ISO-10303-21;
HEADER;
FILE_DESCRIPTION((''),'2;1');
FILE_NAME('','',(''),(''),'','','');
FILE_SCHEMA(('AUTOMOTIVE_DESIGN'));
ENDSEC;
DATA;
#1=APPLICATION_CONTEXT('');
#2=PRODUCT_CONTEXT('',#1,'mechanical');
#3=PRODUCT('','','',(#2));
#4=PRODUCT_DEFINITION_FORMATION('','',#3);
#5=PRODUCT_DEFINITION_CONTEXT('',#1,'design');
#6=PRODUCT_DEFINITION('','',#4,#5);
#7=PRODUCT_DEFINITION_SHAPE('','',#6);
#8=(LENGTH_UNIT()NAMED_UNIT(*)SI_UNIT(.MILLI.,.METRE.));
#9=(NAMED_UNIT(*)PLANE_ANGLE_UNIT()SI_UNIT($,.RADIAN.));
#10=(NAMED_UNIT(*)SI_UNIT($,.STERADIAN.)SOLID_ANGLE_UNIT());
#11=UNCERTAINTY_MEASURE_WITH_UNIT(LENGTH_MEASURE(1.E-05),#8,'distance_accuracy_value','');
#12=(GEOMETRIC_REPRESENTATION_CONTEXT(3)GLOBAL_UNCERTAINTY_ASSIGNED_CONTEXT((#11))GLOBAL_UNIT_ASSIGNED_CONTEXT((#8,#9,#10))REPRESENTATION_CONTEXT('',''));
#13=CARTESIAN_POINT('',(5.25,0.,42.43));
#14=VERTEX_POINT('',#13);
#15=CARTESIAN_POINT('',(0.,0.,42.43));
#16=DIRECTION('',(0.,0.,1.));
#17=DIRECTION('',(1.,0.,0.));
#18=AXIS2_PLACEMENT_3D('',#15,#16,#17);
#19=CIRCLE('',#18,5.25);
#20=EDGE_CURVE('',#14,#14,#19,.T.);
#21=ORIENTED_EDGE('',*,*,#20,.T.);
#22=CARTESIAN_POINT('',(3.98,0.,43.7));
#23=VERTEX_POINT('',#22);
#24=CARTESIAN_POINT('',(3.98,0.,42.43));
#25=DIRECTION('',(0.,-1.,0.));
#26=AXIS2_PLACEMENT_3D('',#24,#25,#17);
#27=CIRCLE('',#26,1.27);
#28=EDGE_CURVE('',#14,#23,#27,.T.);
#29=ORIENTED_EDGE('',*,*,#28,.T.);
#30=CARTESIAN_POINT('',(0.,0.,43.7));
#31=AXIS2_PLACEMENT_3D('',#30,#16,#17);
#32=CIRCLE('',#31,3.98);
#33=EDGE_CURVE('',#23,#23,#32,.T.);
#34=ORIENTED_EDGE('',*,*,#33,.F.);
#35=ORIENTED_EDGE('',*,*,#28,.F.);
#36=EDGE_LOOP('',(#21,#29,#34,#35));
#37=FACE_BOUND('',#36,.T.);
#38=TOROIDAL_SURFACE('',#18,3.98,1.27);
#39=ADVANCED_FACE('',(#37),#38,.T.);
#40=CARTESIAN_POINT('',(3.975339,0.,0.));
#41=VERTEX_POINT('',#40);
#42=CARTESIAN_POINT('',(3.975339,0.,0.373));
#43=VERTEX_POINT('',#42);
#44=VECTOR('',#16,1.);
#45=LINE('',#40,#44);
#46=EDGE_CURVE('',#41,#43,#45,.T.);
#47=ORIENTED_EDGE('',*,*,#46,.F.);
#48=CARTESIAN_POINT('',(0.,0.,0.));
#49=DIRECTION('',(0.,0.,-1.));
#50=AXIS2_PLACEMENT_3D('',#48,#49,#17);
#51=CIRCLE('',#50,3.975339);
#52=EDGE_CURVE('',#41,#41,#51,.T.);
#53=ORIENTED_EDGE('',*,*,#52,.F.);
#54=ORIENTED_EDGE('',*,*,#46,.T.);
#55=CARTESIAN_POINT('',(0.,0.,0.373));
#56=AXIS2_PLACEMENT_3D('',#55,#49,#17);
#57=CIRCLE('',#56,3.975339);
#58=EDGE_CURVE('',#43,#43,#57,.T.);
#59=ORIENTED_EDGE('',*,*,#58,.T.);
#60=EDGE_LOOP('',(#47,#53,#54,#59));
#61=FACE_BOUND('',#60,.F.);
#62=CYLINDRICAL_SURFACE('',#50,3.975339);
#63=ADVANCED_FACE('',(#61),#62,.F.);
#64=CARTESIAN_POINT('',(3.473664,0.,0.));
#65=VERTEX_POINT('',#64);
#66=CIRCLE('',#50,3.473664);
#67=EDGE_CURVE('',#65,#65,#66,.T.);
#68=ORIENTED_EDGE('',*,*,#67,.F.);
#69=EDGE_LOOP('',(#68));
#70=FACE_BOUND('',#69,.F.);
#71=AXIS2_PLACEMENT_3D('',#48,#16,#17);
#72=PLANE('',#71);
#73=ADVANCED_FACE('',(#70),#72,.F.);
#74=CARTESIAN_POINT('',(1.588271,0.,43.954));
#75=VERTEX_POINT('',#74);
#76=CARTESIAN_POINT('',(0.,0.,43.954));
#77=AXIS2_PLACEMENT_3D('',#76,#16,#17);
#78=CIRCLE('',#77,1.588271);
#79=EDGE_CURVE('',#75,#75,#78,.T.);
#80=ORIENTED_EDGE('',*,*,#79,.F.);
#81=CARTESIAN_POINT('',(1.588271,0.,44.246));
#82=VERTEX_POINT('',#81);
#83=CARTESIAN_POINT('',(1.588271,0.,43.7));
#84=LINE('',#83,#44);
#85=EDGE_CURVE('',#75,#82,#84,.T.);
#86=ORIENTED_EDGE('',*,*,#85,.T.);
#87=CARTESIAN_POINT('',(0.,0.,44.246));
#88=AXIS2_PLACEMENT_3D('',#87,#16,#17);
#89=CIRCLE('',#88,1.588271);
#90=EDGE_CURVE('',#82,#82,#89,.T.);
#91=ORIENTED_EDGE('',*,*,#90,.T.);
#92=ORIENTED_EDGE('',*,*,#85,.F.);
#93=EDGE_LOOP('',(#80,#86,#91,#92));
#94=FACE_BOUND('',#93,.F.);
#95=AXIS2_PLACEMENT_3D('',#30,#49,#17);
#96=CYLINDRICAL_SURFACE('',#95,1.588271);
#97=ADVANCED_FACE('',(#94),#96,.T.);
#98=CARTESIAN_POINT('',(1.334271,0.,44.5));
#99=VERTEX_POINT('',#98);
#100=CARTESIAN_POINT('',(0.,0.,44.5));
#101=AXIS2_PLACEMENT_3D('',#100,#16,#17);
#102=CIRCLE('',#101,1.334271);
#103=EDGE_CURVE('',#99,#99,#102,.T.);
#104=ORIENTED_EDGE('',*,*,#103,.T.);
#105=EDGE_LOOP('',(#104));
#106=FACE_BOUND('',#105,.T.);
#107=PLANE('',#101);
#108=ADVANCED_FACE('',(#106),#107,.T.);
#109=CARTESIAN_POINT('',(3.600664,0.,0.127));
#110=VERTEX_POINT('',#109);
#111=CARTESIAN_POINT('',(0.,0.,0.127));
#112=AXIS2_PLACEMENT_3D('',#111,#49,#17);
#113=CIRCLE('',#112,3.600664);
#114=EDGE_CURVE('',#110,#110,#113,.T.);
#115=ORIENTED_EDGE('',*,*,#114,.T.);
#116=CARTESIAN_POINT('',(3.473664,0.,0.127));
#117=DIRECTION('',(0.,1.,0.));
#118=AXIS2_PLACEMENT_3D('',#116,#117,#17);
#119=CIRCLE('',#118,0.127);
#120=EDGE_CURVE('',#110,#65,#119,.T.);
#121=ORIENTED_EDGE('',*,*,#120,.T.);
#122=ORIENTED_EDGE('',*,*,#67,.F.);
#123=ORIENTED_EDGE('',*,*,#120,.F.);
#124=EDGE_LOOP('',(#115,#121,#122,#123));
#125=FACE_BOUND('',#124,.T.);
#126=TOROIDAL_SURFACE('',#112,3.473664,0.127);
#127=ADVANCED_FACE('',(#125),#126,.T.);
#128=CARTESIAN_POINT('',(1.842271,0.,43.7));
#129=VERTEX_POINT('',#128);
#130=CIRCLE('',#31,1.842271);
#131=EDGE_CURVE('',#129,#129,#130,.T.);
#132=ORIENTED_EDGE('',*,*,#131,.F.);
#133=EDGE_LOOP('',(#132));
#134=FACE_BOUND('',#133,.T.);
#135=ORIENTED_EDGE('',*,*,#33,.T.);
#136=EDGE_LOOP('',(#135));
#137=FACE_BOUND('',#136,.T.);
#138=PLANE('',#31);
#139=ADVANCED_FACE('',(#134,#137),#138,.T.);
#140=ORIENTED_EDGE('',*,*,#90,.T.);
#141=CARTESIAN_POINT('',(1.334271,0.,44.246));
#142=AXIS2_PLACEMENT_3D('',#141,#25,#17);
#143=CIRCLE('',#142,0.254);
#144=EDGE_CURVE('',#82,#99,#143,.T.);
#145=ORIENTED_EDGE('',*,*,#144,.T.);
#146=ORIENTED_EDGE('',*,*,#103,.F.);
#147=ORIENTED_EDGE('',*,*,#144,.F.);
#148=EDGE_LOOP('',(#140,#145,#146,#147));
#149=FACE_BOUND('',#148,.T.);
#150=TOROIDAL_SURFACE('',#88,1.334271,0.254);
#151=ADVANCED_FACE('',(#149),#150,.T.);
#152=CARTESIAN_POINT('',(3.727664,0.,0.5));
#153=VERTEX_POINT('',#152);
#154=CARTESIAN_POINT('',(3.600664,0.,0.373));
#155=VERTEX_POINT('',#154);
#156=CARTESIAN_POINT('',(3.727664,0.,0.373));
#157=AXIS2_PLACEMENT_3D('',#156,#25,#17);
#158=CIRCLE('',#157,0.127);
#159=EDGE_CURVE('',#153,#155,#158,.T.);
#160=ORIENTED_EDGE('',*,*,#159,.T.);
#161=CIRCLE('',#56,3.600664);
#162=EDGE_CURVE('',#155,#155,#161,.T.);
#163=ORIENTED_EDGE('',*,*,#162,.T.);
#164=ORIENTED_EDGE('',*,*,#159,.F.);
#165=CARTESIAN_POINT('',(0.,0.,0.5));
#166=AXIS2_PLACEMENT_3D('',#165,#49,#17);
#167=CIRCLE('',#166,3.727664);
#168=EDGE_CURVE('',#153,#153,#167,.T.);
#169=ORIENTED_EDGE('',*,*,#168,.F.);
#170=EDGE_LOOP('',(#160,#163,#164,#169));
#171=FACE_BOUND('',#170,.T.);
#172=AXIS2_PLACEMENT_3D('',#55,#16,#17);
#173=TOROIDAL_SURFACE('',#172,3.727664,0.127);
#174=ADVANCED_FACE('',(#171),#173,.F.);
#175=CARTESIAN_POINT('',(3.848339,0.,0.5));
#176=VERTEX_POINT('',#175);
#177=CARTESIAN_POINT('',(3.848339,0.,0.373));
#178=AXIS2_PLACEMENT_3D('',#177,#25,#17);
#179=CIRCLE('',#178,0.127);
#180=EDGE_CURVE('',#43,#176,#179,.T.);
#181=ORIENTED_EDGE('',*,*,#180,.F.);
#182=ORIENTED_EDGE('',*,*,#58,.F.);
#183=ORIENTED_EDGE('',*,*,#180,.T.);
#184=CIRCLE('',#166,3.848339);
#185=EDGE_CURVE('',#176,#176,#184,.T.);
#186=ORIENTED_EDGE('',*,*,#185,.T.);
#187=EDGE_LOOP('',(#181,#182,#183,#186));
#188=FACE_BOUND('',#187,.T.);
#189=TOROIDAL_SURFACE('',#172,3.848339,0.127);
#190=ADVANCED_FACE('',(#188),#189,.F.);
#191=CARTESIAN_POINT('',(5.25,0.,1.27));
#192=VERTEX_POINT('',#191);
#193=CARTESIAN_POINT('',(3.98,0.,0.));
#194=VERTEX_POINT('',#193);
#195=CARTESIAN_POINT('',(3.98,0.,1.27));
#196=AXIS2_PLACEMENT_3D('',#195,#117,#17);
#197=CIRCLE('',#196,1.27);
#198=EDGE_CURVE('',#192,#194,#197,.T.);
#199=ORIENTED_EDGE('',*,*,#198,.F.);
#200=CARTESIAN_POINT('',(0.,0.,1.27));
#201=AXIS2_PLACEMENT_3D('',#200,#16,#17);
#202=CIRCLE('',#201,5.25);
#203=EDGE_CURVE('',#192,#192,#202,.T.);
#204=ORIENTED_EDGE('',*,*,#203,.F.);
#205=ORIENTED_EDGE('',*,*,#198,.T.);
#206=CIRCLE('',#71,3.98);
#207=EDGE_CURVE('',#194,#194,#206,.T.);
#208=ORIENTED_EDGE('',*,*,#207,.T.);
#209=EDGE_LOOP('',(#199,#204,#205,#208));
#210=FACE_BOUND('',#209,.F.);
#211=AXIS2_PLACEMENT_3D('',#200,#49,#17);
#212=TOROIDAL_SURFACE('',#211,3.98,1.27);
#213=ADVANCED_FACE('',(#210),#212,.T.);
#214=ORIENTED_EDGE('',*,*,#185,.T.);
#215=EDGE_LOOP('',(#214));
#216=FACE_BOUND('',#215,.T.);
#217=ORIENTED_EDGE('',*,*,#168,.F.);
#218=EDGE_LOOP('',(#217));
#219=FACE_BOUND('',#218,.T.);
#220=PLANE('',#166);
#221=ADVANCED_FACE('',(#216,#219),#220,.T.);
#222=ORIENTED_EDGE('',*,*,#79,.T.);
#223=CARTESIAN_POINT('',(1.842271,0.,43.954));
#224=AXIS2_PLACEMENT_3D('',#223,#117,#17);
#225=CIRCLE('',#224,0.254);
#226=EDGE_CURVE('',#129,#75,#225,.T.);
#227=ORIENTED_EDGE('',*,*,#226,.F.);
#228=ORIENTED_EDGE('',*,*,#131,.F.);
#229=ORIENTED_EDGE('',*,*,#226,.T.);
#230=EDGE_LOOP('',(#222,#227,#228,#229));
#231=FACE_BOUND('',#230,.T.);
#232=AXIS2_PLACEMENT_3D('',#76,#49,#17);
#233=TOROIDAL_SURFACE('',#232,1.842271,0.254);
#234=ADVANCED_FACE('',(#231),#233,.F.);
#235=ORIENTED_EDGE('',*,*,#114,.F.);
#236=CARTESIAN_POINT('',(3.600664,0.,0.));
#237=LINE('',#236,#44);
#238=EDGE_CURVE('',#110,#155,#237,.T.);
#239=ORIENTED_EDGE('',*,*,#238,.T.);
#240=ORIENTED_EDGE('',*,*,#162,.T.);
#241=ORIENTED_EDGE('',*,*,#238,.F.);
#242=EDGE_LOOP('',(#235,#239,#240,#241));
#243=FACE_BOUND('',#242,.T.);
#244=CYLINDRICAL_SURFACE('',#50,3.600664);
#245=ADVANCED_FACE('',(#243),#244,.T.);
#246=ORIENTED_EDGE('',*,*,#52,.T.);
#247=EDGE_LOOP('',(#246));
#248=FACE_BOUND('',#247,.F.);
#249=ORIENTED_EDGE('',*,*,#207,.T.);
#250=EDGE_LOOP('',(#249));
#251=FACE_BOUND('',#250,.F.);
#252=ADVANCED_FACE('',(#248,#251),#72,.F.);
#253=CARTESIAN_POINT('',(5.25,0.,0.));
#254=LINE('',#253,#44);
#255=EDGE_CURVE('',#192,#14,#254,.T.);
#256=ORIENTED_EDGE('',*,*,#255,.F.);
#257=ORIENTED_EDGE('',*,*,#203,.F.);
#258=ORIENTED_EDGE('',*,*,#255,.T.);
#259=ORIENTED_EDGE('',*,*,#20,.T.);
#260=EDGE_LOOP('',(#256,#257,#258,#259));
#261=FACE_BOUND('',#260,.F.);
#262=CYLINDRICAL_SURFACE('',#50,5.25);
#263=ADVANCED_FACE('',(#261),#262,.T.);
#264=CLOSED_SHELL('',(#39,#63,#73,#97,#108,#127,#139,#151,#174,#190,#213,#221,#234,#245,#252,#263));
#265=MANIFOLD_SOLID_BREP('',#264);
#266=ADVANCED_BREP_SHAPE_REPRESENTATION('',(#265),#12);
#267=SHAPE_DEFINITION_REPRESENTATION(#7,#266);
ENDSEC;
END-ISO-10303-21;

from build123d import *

# Parameters (mm, degrees)
F0_R     = 5.25
F1_DEPTH = 43.7
F2_R     = 1.5882711699
F3_DEPTH = 0.8
F4_R     = 1.27
F5_R     = 0.254
F6_R     = 3.9753387482
F6_R_2   = 3.600663703
F7_DEPTH = 0.5
F8_R     = 0.127


with BuildPart() as f1:
    # F0 (on Top) → F1 (new body)
    with BuildSketch(Plane.XY):
        Circle(F0_R)
    extrude(amount=F1_DEPTH)

    # F2 (on face) → F3 (join)
    with BuildSketch(Plane.XY.offset(43.7)):
        Circle(F2_R)
    extrude(amount=F3_DEPTH)

    # F4
    f4_edges = [f1.edges().sort_by_distance(p)[0] for p in [
        (-5.25, 0, 43.7),
        (-5.25, 0, 0),
    ]]
    fillet(f4_edges, radius=F4_R)

    # F5
    f5_edges = [f1.edges().sort_by_distance(p)[0] for p in [
        (-1.588271, 0, 44.5),
        (-3.98, 0, 43.7),
        (-1.588271, 0, 43.7),
    ]]
    fillet(f5_edges, radius=F5_R)

    # F6 (on face) → F7 (cut)
    with BuildSketch(Plane(origin=(0, 0, 0), x_dir=(1, 0, 0), z_dir=(0, 0, -1))):
        Circle(F6_R)
        Circle(F6_R_2, mode=Mode.SUBTRACT)
    extrude(amount=-F7_DEPTH, mode=Mode.SUBTRACT)

    # F8
    f8_edges = [f1.edges().sort_by_distance(p)[0] for p in [
        (-3.975339, 0, 0.5),
        (-3.600664, 0, 0.5),
        (-3.600664, 0, 0),
    ]]
    fillet(f8_edges, radius=F8_R)


solid = f1.part
